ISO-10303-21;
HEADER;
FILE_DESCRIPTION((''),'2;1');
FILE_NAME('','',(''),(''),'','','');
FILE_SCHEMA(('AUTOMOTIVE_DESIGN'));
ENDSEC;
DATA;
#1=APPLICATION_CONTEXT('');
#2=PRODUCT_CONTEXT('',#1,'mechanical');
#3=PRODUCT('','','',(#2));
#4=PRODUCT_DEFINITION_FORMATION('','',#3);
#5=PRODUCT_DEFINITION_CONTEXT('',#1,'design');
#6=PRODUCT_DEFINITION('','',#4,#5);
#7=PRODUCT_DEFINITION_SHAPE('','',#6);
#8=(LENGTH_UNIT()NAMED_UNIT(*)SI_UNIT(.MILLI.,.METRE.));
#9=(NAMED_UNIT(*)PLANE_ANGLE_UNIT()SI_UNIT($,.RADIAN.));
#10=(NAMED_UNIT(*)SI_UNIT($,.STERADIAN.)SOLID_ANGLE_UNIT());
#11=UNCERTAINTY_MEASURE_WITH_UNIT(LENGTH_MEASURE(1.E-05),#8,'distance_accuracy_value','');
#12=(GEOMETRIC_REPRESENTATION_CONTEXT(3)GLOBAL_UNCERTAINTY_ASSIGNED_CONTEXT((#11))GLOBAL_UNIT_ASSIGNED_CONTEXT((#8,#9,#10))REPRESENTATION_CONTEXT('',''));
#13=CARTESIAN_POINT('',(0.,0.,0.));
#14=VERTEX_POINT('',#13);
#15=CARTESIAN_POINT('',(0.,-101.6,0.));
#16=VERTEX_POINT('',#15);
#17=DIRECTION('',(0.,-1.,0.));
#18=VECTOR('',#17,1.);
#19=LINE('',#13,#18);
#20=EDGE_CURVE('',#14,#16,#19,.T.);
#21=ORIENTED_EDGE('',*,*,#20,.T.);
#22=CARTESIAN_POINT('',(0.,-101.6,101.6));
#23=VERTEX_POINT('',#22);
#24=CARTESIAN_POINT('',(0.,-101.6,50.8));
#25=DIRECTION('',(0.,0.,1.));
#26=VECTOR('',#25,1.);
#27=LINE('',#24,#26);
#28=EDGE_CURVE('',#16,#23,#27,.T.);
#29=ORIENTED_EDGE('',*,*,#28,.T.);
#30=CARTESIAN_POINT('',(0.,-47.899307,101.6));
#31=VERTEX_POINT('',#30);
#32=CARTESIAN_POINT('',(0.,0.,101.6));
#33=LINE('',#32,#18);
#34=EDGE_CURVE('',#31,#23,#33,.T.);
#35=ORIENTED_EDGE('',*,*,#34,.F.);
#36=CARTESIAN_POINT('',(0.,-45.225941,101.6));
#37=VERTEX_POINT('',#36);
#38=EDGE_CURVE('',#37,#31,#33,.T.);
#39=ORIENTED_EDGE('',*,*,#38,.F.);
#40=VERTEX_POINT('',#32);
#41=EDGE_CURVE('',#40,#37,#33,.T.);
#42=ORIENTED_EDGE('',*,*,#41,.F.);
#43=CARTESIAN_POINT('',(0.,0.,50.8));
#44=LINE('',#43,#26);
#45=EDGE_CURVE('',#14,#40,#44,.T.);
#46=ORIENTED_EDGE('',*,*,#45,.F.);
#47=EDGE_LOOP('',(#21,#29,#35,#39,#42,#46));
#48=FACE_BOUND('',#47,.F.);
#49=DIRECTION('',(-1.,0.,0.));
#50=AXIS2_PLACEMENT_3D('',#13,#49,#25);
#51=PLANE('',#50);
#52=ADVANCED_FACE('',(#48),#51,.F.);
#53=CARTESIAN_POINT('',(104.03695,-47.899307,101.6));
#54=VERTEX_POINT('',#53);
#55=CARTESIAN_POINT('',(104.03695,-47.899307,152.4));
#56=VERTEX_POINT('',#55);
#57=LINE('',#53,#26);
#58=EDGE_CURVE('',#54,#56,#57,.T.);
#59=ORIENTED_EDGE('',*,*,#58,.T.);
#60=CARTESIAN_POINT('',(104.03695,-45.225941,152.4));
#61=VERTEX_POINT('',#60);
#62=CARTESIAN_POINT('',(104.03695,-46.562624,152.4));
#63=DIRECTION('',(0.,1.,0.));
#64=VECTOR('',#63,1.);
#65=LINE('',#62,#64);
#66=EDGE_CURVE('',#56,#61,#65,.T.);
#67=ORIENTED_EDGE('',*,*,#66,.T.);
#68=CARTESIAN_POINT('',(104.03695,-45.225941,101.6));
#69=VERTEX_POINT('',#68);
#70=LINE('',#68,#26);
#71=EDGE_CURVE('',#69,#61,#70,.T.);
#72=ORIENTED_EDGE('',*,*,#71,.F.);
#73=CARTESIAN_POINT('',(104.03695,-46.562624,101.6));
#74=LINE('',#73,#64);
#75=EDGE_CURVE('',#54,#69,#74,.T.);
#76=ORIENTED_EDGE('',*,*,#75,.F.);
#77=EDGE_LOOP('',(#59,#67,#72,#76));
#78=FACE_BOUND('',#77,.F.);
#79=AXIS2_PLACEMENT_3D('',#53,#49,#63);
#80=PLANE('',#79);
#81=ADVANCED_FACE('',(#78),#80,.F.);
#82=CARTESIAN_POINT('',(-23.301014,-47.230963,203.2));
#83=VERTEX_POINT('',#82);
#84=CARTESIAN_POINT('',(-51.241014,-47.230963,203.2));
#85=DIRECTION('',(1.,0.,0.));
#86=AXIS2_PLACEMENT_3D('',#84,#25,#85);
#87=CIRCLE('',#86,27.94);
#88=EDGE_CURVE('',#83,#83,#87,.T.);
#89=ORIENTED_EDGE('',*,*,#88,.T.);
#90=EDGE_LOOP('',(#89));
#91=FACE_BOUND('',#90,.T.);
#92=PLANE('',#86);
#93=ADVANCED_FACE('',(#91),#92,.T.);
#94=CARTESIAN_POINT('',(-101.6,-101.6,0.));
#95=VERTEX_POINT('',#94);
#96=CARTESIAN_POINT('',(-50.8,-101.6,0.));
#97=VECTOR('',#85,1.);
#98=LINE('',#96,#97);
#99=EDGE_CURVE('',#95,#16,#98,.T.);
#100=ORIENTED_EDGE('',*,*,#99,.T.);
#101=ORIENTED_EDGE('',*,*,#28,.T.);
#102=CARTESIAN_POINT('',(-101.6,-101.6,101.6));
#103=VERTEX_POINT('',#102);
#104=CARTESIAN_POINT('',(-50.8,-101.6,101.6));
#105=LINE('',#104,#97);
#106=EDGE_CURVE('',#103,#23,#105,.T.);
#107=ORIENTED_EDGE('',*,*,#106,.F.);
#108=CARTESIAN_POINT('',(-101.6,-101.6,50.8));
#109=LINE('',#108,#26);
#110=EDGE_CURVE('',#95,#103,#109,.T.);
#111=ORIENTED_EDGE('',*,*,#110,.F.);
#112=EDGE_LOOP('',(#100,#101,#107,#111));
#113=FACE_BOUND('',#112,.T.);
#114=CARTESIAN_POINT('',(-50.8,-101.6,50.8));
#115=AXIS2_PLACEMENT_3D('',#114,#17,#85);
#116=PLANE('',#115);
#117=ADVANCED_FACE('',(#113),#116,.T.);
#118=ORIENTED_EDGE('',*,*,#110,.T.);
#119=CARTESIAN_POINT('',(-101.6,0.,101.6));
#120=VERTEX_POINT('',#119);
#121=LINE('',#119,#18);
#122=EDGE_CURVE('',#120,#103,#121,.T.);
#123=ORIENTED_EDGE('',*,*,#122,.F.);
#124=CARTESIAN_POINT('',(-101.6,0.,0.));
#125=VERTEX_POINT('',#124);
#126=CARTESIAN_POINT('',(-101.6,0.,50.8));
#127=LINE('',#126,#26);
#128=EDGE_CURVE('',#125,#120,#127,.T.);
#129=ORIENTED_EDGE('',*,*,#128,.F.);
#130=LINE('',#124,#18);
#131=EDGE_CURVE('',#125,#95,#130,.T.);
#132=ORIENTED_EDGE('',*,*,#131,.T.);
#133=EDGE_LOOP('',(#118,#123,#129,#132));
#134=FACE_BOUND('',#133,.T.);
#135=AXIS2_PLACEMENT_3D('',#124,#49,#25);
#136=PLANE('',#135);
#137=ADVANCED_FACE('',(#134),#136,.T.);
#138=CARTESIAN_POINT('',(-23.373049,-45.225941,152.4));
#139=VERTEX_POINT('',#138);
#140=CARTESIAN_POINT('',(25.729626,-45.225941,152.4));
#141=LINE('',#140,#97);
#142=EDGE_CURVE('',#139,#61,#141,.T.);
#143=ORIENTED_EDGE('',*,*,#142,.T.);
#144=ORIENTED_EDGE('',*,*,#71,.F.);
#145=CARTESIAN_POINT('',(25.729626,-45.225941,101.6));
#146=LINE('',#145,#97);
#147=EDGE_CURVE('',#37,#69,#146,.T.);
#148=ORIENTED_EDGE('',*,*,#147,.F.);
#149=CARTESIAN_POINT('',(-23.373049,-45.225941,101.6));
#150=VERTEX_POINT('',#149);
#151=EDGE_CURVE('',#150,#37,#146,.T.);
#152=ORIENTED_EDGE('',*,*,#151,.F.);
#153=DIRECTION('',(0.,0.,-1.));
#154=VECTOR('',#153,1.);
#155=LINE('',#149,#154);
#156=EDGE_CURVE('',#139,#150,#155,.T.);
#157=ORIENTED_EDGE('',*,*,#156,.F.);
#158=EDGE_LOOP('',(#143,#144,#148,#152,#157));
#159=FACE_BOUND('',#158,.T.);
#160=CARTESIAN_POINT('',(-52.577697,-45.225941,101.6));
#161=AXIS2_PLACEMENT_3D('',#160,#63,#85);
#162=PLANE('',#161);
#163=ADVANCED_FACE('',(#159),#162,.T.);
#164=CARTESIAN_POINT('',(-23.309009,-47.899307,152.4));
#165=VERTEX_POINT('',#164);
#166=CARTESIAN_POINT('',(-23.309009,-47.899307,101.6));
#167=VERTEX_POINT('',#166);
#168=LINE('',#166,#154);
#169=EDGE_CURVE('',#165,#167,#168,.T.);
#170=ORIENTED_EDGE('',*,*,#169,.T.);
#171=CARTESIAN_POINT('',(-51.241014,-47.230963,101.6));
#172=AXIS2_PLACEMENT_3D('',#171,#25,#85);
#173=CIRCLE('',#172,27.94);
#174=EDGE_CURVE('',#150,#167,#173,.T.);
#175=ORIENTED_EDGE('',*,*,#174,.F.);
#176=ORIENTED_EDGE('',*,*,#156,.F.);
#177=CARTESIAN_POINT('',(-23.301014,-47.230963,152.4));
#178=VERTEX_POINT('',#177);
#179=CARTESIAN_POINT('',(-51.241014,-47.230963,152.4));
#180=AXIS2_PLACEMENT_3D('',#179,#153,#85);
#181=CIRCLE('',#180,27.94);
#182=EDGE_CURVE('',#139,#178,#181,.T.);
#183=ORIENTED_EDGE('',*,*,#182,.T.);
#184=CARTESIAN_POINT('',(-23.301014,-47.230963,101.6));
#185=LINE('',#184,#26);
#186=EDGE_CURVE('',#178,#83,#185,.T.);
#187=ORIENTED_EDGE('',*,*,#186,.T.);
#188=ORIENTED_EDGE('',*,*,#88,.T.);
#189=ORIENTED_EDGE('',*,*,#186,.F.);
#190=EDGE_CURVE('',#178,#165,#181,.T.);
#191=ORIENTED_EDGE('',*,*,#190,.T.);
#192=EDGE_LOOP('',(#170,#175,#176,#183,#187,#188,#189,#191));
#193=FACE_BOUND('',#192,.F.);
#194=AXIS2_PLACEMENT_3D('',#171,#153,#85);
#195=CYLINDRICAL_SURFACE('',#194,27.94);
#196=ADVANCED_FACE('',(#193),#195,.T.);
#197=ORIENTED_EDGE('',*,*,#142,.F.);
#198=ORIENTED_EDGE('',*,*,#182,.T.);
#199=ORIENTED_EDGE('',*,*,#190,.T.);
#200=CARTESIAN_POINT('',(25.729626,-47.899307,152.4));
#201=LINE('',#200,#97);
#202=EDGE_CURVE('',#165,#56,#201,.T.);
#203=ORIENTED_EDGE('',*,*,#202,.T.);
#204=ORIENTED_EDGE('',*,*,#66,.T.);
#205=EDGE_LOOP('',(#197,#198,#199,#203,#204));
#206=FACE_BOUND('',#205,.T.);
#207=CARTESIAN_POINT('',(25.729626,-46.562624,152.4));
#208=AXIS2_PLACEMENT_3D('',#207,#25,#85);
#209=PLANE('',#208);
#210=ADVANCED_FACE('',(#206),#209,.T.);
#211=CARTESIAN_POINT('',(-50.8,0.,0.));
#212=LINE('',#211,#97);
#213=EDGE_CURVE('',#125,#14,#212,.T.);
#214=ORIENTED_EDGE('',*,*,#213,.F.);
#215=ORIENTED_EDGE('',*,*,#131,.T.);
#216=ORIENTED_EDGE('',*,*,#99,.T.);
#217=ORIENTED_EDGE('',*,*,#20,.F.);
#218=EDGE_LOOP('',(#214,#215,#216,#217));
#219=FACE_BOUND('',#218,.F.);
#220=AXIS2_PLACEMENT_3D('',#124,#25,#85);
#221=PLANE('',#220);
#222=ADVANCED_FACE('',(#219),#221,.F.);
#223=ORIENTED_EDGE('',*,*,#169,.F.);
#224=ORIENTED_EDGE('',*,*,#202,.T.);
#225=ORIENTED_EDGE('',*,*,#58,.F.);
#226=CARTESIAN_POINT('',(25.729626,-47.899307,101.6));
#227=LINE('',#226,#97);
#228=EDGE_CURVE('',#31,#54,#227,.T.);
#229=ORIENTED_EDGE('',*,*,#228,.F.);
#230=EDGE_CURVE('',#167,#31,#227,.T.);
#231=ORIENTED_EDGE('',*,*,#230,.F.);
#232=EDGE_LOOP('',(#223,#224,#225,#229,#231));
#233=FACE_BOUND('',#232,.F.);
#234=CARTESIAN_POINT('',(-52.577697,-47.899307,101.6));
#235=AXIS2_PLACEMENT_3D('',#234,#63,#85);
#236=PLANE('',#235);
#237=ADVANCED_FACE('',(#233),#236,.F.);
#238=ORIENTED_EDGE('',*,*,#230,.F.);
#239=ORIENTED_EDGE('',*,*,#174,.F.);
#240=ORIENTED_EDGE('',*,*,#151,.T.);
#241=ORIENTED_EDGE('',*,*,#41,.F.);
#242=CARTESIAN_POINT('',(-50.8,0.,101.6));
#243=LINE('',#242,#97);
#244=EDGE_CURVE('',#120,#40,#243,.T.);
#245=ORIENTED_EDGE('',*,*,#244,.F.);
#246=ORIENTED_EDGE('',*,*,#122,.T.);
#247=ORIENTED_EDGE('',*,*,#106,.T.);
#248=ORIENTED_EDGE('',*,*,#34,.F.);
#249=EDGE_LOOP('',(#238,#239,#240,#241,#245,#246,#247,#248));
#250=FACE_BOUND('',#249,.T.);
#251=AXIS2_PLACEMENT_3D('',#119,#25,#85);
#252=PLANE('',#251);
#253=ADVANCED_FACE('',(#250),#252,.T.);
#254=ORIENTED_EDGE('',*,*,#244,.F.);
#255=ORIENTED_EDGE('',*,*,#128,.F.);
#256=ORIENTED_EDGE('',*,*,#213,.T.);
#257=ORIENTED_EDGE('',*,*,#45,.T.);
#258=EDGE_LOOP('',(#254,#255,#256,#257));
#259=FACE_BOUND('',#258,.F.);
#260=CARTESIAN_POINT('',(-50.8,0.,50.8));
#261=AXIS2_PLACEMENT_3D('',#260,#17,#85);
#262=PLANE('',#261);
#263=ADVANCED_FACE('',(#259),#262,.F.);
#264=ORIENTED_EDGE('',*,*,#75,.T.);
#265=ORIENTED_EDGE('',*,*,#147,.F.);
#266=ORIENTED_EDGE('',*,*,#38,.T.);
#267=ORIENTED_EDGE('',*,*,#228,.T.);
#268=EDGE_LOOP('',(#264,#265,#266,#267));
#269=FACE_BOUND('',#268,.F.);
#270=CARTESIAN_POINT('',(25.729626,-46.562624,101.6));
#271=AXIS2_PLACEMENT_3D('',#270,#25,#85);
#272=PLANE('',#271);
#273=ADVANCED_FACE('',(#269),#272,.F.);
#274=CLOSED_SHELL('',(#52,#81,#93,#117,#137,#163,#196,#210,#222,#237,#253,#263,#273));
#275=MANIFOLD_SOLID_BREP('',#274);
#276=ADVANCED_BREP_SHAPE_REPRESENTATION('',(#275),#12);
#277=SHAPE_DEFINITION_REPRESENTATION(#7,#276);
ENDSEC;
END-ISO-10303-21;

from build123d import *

# Parameters (mm, degrees)
F0_W     = 101.6
F0_H     = 101.6
F1_DEPTH = 101.6
F2_R     = 27.94
F3_DEPTH = 101.6
F5_W     = 156.614647
F5_H     = 2.673365
F6_DEPTH = 50.8


with BuildPart() as f1:
    # F0 (on Front) → F1 (new body)
    with BuildSketch(Plane.XZ):
        with Locations((-50.8, 50.8)):
            Rectangle(F0_W, F0_H)
    extrude(amount=F1_DEPTH)

    # F2 (on face) → F3 (join)
    with BuildSketch(Plane.XY.offset(101.6)):
        with Locations((-51.241014, -47.230963)):
            Circle(F2_R)
    extrude(amount=F3_DEPTH)

    # F5 (on face) → F6 (join)
    with BuildSketch(Plane.XY.offset(101.6)):
        with Locations((25.729626, -46.562624)):
            Rectangle(F5_W, F5_H)
    extrude(amount=F6_DEPTH)


solid = f1.part
